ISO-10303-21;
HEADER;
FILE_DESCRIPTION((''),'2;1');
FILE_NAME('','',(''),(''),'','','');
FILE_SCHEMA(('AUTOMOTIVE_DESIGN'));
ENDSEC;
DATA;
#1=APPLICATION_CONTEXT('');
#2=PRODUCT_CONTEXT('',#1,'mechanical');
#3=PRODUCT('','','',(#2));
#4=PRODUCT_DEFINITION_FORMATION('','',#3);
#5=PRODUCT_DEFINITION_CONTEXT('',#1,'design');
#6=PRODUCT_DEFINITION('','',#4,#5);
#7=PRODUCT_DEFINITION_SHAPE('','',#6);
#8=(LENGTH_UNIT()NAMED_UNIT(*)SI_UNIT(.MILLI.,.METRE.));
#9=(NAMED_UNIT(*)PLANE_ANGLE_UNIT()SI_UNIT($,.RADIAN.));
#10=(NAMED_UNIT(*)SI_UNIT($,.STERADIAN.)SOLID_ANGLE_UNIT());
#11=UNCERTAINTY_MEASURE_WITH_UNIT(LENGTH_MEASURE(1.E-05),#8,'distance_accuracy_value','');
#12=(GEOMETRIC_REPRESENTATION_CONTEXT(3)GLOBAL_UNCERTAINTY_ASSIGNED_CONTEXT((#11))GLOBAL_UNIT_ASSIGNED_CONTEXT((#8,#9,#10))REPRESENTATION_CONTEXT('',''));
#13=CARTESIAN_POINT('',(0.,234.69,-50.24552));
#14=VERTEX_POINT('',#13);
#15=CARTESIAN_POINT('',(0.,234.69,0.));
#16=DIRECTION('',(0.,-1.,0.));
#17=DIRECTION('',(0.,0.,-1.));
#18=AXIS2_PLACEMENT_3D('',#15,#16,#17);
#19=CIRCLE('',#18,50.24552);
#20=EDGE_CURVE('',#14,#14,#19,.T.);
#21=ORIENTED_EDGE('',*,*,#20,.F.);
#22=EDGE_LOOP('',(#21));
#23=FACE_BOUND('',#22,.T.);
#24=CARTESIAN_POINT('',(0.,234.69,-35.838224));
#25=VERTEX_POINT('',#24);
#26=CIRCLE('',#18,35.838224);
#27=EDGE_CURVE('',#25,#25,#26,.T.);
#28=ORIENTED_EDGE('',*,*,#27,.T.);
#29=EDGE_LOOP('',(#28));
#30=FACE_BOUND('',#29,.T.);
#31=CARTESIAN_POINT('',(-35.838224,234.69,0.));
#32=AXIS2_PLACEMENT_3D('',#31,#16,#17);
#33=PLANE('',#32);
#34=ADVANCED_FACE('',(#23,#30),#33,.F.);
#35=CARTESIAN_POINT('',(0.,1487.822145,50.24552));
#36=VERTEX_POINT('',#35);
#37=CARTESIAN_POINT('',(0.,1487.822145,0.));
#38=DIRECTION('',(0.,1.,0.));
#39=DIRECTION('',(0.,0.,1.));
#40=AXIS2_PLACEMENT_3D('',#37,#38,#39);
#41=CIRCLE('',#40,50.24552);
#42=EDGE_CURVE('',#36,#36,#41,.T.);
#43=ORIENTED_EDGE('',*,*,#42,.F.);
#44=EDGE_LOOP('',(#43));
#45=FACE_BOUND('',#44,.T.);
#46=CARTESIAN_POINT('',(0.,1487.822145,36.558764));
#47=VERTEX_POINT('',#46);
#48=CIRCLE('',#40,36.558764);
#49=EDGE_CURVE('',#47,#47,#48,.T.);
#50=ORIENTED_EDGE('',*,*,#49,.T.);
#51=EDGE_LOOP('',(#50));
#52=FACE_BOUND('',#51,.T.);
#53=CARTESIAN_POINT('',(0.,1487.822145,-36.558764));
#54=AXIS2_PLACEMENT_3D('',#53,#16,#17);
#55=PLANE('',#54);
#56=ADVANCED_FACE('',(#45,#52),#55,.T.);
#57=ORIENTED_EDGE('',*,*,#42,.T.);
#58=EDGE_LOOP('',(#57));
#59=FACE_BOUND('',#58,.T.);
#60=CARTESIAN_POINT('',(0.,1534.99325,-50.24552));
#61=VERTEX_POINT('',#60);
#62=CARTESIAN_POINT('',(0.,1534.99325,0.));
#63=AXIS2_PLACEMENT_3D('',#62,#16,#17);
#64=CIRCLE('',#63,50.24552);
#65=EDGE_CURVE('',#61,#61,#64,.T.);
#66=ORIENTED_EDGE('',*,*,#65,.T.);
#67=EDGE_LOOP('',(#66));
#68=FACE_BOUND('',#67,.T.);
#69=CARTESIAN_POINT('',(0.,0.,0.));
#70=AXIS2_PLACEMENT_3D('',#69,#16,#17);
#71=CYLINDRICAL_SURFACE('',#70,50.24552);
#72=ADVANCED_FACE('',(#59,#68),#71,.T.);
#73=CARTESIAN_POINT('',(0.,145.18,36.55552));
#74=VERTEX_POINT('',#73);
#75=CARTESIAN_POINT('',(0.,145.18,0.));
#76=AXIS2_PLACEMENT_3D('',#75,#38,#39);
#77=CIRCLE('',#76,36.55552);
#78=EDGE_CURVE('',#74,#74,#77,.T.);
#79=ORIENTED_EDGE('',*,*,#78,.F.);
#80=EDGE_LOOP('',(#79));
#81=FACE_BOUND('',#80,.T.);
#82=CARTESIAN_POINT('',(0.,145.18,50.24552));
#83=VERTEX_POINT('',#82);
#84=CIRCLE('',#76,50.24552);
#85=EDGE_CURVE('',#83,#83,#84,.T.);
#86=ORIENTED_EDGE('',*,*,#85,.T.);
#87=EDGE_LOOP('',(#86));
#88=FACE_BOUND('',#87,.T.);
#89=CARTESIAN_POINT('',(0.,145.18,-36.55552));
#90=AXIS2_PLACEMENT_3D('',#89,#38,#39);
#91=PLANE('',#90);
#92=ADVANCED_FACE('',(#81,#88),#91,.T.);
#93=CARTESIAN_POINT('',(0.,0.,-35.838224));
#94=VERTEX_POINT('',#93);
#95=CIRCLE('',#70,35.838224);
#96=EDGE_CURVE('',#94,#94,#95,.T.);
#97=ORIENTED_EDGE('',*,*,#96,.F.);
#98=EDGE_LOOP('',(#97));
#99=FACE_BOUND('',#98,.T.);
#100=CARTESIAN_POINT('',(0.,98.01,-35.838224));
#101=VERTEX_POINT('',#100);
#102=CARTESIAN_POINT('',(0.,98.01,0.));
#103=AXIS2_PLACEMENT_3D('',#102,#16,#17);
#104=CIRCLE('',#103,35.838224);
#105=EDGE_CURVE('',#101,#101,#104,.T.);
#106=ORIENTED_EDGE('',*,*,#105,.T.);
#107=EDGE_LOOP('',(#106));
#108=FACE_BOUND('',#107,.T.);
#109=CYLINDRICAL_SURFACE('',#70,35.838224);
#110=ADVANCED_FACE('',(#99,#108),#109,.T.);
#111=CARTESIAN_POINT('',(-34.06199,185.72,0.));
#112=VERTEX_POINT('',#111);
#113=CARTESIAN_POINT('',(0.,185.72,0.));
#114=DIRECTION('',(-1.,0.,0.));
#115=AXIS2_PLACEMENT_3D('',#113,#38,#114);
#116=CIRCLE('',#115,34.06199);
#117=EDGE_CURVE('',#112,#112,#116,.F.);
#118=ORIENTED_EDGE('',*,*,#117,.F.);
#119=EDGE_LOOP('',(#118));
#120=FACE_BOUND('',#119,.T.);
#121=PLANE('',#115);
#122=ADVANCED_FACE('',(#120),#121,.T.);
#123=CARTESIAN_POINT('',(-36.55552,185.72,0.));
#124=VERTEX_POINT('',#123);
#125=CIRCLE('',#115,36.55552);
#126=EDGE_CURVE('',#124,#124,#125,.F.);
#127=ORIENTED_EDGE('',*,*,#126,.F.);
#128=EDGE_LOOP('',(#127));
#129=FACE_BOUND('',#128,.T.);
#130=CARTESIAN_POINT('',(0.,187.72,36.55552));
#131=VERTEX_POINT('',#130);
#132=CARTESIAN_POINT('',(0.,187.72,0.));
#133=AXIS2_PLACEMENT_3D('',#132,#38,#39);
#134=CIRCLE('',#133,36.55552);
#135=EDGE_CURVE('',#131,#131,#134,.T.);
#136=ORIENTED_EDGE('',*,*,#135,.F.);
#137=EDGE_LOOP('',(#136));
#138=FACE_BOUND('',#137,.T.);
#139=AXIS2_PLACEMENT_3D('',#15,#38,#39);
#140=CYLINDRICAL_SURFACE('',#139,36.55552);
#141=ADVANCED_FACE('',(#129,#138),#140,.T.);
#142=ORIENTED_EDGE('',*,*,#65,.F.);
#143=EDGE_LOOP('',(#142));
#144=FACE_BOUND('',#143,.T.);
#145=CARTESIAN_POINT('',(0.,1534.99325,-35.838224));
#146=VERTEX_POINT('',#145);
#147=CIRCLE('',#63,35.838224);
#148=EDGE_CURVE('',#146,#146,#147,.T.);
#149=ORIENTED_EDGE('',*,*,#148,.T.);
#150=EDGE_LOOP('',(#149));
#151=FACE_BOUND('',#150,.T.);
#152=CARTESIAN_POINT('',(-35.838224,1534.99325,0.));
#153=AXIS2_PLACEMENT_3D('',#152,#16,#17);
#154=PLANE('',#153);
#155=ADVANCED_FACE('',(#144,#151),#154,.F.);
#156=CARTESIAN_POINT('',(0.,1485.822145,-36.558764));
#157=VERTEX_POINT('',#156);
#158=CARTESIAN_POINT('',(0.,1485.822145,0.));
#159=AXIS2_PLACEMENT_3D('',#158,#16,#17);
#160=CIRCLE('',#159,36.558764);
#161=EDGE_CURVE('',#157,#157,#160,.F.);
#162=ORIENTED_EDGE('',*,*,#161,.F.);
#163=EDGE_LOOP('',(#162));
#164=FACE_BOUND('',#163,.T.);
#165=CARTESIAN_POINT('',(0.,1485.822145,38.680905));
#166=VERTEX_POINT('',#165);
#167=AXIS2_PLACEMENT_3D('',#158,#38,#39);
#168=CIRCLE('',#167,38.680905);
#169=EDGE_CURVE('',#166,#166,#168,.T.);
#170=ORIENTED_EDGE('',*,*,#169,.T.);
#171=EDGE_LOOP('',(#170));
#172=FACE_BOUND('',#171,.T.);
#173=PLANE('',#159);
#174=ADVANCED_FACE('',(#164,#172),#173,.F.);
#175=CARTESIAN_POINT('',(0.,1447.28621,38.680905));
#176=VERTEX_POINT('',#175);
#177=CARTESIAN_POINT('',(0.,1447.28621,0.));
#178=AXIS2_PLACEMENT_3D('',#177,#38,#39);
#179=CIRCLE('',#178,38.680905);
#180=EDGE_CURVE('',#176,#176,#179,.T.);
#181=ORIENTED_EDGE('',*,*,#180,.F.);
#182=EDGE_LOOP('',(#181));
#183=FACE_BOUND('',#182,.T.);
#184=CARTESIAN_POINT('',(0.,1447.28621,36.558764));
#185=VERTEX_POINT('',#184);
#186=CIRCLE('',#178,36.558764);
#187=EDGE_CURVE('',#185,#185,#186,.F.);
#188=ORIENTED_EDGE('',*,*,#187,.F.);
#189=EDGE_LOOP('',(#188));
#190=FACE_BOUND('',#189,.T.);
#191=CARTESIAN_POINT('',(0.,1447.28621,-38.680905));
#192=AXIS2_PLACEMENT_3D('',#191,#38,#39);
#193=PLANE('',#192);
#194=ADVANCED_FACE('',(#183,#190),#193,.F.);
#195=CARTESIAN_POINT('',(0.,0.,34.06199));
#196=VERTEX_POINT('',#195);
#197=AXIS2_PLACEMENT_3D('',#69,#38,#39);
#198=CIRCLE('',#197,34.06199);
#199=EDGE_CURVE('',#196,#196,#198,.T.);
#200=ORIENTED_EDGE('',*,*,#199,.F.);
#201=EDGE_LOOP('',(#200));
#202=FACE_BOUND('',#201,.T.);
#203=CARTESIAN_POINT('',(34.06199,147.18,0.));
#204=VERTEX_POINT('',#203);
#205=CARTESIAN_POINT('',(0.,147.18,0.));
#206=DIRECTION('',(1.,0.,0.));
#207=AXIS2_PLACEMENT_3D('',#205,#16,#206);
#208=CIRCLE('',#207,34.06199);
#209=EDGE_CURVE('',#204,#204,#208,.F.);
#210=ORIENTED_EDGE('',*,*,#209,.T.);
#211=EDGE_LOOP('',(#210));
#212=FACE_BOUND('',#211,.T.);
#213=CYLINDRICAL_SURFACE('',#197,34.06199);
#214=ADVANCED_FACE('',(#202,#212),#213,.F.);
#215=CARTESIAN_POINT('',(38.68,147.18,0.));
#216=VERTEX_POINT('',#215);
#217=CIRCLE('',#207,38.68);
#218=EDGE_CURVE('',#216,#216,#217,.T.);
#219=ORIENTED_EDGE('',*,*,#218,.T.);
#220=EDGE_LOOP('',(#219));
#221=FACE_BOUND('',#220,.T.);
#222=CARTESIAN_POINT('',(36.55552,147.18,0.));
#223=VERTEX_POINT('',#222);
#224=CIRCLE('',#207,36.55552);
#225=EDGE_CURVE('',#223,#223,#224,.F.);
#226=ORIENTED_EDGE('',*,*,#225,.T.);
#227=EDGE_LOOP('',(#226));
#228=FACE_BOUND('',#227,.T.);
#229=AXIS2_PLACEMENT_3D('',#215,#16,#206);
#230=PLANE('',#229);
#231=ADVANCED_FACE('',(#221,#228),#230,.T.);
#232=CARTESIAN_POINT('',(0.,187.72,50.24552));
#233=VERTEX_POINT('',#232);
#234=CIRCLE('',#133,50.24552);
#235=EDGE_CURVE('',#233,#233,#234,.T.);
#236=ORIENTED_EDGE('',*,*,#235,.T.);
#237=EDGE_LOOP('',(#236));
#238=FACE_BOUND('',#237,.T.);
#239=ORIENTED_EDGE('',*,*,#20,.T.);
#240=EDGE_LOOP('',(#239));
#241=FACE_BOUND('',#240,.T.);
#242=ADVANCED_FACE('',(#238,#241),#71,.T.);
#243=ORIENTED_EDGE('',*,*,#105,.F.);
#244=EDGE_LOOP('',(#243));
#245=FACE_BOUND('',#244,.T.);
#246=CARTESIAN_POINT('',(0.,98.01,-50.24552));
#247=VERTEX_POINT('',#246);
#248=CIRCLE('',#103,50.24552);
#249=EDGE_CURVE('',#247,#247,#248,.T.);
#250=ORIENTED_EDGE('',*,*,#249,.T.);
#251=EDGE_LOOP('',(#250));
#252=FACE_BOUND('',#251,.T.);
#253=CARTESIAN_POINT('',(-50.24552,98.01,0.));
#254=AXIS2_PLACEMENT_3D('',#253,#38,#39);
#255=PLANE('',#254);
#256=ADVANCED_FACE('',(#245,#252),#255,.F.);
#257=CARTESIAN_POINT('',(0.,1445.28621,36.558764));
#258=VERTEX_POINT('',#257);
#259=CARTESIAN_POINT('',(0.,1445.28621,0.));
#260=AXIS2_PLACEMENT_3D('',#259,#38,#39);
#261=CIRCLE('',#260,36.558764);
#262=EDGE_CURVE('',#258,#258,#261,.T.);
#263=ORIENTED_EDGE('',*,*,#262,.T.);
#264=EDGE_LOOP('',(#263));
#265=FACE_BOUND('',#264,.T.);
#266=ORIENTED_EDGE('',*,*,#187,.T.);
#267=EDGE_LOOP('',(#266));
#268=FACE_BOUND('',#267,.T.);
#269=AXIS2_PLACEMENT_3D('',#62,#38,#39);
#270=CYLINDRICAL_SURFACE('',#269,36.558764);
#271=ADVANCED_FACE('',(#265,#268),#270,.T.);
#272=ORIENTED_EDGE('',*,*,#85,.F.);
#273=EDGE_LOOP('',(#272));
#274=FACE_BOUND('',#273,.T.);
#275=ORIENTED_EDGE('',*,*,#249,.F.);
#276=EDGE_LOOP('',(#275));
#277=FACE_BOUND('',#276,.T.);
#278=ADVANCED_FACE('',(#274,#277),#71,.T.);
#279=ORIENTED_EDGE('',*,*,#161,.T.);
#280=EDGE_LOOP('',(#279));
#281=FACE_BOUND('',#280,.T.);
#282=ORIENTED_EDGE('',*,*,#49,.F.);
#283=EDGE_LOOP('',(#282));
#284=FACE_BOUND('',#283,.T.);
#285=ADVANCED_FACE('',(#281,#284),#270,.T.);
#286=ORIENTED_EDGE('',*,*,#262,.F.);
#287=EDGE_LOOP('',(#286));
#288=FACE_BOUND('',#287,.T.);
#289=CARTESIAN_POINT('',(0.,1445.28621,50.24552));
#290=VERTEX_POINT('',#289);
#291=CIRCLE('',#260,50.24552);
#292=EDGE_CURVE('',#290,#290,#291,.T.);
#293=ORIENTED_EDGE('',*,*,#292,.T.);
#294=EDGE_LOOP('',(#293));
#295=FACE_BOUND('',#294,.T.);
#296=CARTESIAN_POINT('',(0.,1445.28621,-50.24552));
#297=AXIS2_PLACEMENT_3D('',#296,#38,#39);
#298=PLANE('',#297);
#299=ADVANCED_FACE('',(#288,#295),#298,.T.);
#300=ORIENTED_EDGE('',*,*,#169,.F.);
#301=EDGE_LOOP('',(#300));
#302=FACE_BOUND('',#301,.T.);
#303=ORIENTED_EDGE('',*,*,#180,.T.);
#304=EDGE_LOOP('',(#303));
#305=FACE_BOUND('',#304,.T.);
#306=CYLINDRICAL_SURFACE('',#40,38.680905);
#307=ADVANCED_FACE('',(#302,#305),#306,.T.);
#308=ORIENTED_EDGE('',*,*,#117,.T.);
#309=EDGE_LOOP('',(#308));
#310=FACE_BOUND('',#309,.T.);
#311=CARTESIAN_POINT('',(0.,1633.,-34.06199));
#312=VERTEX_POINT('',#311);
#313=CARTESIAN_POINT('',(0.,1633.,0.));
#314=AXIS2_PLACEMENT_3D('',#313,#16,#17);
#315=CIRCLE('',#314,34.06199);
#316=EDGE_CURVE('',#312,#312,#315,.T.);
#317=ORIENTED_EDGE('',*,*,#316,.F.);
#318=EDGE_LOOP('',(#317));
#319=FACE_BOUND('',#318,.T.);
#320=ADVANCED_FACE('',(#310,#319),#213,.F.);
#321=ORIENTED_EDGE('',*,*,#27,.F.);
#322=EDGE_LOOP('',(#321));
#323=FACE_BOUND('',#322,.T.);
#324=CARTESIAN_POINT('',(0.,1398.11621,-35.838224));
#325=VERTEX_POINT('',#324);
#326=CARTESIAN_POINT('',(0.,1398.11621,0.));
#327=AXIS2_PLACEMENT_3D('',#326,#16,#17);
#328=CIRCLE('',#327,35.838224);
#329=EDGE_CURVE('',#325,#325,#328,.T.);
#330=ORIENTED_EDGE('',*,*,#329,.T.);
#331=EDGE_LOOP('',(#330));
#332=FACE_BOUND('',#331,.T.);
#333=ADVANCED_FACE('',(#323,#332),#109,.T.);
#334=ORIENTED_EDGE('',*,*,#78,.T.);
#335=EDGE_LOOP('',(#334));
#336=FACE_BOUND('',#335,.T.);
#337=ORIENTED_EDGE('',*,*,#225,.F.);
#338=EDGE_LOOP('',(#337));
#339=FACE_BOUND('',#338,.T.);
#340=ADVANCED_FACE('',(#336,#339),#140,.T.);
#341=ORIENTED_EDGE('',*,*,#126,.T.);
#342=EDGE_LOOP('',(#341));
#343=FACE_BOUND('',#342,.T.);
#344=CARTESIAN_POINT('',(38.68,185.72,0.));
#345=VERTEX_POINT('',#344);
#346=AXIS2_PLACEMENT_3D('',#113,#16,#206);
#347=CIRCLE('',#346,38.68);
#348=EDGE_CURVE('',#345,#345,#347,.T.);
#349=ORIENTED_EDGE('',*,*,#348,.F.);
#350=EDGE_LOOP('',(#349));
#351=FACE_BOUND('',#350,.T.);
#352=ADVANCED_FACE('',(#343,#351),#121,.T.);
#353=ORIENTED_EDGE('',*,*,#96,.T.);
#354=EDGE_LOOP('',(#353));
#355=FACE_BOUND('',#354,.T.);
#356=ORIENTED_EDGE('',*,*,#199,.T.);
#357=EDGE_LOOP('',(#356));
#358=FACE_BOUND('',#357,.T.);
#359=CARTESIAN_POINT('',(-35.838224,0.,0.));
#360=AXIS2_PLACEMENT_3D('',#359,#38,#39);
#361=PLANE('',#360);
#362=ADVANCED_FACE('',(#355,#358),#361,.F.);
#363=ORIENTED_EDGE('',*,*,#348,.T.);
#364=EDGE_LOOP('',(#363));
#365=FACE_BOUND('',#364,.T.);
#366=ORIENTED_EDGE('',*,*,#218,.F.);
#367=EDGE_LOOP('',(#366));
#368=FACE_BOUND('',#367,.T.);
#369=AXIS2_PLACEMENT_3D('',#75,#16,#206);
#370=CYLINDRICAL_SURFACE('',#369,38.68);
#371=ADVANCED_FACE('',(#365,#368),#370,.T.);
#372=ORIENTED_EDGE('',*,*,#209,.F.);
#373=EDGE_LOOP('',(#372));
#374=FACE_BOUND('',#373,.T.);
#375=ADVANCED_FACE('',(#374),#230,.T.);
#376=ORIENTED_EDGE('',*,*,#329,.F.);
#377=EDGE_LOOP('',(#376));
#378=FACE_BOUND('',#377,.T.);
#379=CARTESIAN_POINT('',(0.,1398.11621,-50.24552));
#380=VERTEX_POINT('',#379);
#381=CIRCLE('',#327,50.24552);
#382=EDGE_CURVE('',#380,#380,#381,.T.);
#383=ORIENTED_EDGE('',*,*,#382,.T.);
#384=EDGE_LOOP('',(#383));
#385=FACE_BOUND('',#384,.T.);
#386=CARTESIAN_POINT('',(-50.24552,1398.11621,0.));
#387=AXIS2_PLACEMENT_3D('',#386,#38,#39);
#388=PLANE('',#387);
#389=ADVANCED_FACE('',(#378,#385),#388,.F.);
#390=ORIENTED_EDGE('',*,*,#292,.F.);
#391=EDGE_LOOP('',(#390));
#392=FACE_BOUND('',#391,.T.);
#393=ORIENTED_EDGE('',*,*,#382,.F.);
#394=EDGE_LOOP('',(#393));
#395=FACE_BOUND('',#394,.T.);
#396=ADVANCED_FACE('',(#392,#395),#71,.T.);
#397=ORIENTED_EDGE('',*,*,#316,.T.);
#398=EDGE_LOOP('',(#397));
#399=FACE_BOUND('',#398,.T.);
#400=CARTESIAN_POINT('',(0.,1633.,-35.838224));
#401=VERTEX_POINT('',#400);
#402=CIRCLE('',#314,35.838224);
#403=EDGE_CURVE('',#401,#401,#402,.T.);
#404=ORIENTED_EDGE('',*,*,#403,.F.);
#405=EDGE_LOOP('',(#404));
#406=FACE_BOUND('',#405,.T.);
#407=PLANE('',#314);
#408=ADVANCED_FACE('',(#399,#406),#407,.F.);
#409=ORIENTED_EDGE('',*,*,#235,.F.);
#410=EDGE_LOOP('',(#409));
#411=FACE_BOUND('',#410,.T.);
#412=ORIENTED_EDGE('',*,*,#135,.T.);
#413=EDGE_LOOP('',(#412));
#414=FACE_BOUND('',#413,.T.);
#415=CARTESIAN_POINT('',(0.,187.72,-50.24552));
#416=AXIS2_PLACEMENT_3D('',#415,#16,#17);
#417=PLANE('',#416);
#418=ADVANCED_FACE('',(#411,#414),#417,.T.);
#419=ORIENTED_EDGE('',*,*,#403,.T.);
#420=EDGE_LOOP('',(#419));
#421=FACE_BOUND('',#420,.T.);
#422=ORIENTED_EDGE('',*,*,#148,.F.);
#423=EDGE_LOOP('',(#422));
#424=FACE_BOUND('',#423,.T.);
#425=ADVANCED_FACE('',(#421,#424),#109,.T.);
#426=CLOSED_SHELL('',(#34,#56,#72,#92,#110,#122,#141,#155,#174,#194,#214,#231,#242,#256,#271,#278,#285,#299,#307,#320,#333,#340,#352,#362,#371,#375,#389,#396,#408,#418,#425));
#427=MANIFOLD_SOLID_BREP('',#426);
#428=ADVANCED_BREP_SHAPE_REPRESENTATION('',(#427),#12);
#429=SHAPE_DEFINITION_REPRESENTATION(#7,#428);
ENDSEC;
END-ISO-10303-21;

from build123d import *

# Parameters (mm, degrees)
ESBO_O3_W                  = 13.686755529
ESBO_O3_H                  = 42.535935493
ESBO_O4_W                  = 38.680905152
ESBO_O4_H                  = 38.535935493
CORTE_EXTRUS_O1_DEPTH      = 1635.545265364
CORTE_EXTRUS_O1_DEPTH_BACK = 1635.545265364
ESBO_O6_R                  = 34.061990031
ESBO_O7_W                  = 13.69
ESBO_O7_H                  = 42.54
ESBO_O8_W                  = 38.68
ESBO_O8_H                  = 38.54


with BuildPart() as part:
    # Esboço1 → Revolução6 (revolve)
    with BuildSketch(Plane.XY, mode=Mode.PRIVATE) as revolu_o6_sk:
        Polygon((0, 1633), (-35.838224288, 1633), (-35.838224288, 1534.993249603), (-50.245519822, 1534.993249603), (-50.245519822, 1398.116209781), (-35.838224288, 1398.116209781), (-35.838224288, 234.69), (-50.245519822, 234.69), (-50.245519822, 98.01), (-35.838224288, 98.01), (-35.838224288, 0), (0, 0), align=None)
    revolve(revolu_o6_sk.sketch.rotate(Axis((0, 0, 0), (0, 1, 0)), 270), axis=Axis((0, 0, 0), (0, 1, 0)))

    # Esboço3 → Corte-Revolução2 (revolve, cut)
    with BuildSketch(Plane(origin=(0, 0, 0), x_dir=(0, 0, -1), z_dir=(1, 0, 0))):
        with Locations((43.402142058, 1466.554177528)):
            Rectangle(ESBO_O3_W, ESBO_O3_H)
    revolve(axis=Axis((0, 1534.993249603, 0), (0, -1, 0)), mode=Mode.SUBTRACT)

    # Esboço4 → Revolução7 (revolve)
    with BuildSketch(Plane(origin=(0, 0, 0), x_dir=(0, 0, -1), z_dir=(1, 0, 0)), mode=Mode.PRIVATE) as revolu_o7_sk:
        with Locations((19.340452576, 1466.554177528)):
            Rectangle(ESBO_O4_W, ESBO_O4_H)
    revolve(revolu_o7_sk.sketch.rotate(Axis((0, 1487.822145274, 0), (0, -1, 0)), 180), axis=Axis((0, 1487.822145274, 0), (0, -1, 0)))

    # Esboço6 → Corte-extrusão1 (cut, two sides: drawn at the far end of the back side and taken through both)
    with BuildSketch(Plane(origin=(0, 1633, 0), x_dir=(1, 0, 0), z_dir=(0, 1, 0)).offset(-CORTE_EXTRUS_O1_DEPTH_BACK)):
        with Locations(Location((0, 0, 0), (0, 0, 270))):
            Circle(ESBO_O6_R)
    extrude(amount=CORTE_EXTRUS_O1_DEPTH + CORTE_EXTRUS_O1_DEPTH_BACK, mode=Mode.SUBTRACT)

    # Esboço7 → Corte-Revolução3 (revolve, cut)
    with BuildSketch(Plane(origin=(0, 0, 0), x_dir=(0, 0, -1), z_dir=(1, 0, 0)), mode=Mode.PRIVATE) as corte_revolu_o3_sk:
        with Locations((43.400519822, 166.45)):
            Rectangle(ESBO_O7_W, ESBO_O7_H)
    revolve(corte_revolu_o3_sk.sketch.rotate(Axis((0, 234.69, 0), (0, -1, 0)), 180), axis=Axis((0, 234.69, 0), (0, -1, 0)), mode=Mode.SUBTRACT)

    # Esboço8 → Revolução8 (revolve)
    with BuildSketch(Plane.XY, mode=Mode.PRIVATE) as revolu_o8_sk:
        with Locations((19.34, 166.45)):
            Rectangle(ESBO_O8_W, ESBO_O8_H)
    revolve(revolu_o8_sk.sketch.rotate(Axis((0, 145.18, 0), (0, 1, 0)), 270), axis=Axis((0, 145.18, 0), (0, 1, 0)))


solid = part.part
